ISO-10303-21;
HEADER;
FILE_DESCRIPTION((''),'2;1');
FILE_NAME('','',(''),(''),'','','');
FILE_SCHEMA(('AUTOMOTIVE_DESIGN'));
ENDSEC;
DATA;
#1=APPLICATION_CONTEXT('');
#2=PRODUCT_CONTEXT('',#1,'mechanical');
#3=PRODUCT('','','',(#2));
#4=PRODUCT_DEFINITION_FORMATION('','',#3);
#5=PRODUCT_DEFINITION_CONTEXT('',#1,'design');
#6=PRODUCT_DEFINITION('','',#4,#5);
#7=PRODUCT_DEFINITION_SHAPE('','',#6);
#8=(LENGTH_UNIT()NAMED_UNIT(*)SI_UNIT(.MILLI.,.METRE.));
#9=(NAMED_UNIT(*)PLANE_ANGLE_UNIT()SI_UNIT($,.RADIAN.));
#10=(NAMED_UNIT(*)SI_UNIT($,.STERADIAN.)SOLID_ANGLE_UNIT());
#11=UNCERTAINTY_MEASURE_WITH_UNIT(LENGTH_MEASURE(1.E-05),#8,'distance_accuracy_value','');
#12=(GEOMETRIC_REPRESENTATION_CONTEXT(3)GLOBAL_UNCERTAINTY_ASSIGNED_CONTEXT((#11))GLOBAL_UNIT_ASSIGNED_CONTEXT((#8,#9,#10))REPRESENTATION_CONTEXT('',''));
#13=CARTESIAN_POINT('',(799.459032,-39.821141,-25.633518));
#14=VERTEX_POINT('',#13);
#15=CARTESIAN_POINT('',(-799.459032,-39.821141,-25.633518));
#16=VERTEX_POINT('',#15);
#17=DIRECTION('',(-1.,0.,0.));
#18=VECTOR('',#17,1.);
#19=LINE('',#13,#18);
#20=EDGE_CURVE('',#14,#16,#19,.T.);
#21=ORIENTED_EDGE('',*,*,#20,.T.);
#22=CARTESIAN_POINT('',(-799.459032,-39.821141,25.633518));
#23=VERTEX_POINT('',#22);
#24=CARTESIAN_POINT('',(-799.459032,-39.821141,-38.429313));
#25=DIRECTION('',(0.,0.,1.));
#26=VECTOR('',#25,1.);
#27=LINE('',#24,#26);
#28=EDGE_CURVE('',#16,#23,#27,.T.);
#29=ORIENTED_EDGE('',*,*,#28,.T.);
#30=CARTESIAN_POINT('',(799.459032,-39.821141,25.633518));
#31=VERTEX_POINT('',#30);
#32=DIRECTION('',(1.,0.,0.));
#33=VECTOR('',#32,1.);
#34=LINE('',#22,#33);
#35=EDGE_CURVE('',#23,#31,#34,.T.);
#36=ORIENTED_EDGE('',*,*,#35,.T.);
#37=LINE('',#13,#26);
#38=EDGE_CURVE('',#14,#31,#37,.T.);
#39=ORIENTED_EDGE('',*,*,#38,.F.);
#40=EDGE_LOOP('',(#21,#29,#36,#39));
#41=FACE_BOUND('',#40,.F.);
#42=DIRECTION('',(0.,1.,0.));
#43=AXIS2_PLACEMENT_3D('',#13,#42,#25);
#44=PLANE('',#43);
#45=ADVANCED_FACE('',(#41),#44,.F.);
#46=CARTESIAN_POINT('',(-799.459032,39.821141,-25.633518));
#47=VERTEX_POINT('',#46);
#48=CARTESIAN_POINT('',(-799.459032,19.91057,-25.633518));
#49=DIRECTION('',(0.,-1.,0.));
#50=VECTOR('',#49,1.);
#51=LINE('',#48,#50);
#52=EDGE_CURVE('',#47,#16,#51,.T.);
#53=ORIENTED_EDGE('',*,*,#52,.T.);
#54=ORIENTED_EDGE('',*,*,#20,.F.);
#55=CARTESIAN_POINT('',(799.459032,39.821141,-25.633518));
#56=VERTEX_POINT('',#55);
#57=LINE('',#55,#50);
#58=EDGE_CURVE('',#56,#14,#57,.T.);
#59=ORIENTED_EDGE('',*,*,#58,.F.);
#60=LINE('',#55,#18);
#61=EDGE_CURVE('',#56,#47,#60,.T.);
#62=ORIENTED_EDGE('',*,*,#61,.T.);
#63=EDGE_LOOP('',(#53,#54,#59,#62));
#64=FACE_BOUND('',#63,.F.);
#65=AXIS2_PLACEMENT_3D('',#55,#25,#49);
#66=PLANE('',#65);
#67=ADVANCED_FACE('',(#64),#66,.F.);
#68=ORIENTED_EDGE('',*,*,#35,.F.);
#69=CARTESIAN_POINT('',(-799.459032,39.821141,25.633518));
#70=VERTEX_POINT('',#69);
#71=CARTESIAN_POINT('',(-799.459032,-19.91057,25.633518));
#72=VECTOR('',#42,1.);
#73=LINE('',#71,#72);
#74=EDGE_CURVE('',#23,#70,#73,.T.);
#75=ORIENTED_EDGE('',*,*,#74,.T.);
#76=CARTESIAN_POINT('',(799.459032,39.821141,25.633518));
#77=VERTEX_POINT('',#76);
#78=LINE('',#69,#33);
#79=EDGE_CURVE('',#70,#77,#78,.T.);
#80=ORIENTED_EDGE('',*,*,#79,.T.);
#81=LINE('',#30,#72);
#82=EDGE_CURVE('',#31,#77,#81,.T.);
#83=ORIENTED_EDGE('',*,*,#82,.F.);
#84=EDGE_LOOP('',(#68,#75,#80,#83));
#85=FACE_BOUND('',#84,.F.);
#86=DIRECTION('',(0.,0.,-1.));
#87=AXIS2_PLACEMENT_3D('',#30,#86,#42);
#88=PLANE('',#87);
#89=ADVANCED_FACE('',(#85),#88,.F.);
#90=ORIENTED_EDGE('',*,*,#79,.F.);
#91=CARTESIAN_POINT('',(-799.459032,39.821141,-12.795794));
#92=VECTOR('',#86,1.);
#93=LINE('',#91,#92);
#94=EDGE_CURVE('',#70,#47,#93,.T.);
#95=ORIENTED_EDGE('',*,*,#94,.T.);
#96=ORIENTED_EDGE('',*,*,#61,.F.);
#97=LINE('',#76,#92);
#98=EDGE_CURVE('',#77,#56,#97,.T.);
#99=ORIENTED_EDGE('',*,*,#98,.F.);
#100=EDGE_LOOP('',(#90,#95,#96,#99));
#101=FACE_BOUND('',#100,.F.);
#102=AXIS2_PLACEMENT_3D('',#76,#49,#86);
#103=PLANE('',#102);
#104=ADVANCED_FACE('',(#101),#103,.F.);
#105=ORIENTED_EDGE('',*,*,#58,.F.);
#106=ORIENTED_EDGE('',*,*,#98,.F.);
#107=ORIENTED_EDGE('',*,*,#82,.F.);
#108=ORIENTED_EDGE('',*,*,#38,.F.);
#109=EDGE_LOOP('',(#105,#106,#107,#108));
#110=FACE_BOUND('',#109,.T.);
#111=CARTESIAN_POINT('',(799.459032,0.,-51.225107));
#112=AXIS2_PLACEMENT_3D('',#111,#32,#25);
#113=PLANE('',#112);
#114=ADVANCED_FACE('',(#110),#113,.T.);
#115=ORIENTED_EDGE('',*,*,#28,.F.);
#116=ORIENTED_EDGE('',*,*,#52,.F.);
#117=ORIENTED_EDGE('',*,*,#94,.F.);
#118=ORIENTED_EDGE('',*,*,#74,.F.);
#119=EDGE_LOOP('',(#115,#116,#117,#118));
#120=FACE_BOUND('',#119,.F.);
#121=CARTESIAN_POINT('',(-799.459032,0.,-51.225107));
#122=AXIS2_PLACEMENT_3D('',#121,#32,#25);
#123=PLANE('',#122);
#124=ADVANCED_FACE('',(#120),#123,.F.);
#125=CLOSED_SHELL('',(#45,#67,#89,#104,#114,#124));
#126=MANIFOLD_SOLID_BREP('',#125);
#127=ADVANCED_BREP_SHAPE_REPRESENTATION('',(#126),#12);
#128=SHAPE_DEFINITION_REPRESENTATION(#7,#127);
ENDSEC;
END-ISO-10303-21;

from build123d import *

# Parameters (mm, degrees)
F0_W          = 1090.9180641174
F0_H          = 102.4502143264
F1_DEPTH      = 63.5
F1_DEPTH_BACK = 63.5
F2_W          = 127
F2_H          = 102.4502143264
F2_R          = 47.3582146857
F3_DEPTH      = 1090.9190641174
F4_DEPTH      = 254
F5_DEPTH      = 254
F7_DEPTH      = 1598.9190641174


with BuildPart() as f1:
    # F0 (on Front) → F1 (new body, two sides)
    with BuildSketch(Plane.XZ) as f1_sk:
        Rectangle(F0_W, F0_H)
    extrude(amount=F1_DEPTH)
    extrude(f1_sk.sketch, amount=-F1_DEPTH_BACK)

    # F2 (on face) → F3 (cut, through all)
    with BuildSketch(Plane.YZ.offset(545.4590320587)):
        Rectangle(F2_W, F2_H)
        Circle(F2_R, mode=Mode.SUBTRACT)
    extrude(amount=-F3_DEPTH, mode=Mode.SUBTRACT)

    # F4 (add): a face of the model
    f4_faces = [f1.faces().sort_by_distance(p)[0] for p in [
        (545.4590320587, 0, 0),
    ]]
    extrude(f4_faces, amount=F4_DEPTH)

    # F5 (add): a face of the model
    f5_faces = [f1.faces().sort_by_distance(p)[0] for p in [
        (-545.4590320587, 0, 0),
    ]]
    extrude(f5_faces, amount=F5_DEPTH)

    # F6 (on face) → F7 (cut, through all)
    with BuildSketch(Plane.YZ.offset(799.4590320587)):
        with BuildLine():
            Line((39.8211405929, 25.6335182933), (39.8211405929, -25.6335182933))
            ThreePointArc((39.8211405929, -25.6335182933), (45.4348909069, -13.359310854), (47.3582146857, 0))
            ThreePointArc((47.3582146857, 0), (45.4348909069, 13.359310854), (39.8211405929, 25.6335182933))
        make_face()
        with BuildLine():
            ThreePointArc((-39.8211405929, 25.6335182933), (-47.3582146857, 0), (-39.8211405929, -25.6335182933))
            Line((-39.8211405929, -25.6335182933), (-39.8211405929, 25.6335182933))
        make_face()
        with BuildLine():
            Line((-39.8211405929, 25.6335182933), (39.8211405929, 25.6335182933))
            ThreePointArc((39.8211405929, 25.6335182933), (0, 47.3582146857), (-39.8211405929, 25.6335182933))
        make_face()
        with BuildLine():
            ThreePointArc((-39.8211405929, -25.6335182933), (0, -47.3582146857), (39.8211405929, -25.6335182933))
            Line((39.8211405929, -25.6335182933), (-39.8211405929, -25.6335182933))
        make_face()
    extrude(amount=-F7_DEPTH, mode=Mode.SUBTRACT)


solid = f1.part
